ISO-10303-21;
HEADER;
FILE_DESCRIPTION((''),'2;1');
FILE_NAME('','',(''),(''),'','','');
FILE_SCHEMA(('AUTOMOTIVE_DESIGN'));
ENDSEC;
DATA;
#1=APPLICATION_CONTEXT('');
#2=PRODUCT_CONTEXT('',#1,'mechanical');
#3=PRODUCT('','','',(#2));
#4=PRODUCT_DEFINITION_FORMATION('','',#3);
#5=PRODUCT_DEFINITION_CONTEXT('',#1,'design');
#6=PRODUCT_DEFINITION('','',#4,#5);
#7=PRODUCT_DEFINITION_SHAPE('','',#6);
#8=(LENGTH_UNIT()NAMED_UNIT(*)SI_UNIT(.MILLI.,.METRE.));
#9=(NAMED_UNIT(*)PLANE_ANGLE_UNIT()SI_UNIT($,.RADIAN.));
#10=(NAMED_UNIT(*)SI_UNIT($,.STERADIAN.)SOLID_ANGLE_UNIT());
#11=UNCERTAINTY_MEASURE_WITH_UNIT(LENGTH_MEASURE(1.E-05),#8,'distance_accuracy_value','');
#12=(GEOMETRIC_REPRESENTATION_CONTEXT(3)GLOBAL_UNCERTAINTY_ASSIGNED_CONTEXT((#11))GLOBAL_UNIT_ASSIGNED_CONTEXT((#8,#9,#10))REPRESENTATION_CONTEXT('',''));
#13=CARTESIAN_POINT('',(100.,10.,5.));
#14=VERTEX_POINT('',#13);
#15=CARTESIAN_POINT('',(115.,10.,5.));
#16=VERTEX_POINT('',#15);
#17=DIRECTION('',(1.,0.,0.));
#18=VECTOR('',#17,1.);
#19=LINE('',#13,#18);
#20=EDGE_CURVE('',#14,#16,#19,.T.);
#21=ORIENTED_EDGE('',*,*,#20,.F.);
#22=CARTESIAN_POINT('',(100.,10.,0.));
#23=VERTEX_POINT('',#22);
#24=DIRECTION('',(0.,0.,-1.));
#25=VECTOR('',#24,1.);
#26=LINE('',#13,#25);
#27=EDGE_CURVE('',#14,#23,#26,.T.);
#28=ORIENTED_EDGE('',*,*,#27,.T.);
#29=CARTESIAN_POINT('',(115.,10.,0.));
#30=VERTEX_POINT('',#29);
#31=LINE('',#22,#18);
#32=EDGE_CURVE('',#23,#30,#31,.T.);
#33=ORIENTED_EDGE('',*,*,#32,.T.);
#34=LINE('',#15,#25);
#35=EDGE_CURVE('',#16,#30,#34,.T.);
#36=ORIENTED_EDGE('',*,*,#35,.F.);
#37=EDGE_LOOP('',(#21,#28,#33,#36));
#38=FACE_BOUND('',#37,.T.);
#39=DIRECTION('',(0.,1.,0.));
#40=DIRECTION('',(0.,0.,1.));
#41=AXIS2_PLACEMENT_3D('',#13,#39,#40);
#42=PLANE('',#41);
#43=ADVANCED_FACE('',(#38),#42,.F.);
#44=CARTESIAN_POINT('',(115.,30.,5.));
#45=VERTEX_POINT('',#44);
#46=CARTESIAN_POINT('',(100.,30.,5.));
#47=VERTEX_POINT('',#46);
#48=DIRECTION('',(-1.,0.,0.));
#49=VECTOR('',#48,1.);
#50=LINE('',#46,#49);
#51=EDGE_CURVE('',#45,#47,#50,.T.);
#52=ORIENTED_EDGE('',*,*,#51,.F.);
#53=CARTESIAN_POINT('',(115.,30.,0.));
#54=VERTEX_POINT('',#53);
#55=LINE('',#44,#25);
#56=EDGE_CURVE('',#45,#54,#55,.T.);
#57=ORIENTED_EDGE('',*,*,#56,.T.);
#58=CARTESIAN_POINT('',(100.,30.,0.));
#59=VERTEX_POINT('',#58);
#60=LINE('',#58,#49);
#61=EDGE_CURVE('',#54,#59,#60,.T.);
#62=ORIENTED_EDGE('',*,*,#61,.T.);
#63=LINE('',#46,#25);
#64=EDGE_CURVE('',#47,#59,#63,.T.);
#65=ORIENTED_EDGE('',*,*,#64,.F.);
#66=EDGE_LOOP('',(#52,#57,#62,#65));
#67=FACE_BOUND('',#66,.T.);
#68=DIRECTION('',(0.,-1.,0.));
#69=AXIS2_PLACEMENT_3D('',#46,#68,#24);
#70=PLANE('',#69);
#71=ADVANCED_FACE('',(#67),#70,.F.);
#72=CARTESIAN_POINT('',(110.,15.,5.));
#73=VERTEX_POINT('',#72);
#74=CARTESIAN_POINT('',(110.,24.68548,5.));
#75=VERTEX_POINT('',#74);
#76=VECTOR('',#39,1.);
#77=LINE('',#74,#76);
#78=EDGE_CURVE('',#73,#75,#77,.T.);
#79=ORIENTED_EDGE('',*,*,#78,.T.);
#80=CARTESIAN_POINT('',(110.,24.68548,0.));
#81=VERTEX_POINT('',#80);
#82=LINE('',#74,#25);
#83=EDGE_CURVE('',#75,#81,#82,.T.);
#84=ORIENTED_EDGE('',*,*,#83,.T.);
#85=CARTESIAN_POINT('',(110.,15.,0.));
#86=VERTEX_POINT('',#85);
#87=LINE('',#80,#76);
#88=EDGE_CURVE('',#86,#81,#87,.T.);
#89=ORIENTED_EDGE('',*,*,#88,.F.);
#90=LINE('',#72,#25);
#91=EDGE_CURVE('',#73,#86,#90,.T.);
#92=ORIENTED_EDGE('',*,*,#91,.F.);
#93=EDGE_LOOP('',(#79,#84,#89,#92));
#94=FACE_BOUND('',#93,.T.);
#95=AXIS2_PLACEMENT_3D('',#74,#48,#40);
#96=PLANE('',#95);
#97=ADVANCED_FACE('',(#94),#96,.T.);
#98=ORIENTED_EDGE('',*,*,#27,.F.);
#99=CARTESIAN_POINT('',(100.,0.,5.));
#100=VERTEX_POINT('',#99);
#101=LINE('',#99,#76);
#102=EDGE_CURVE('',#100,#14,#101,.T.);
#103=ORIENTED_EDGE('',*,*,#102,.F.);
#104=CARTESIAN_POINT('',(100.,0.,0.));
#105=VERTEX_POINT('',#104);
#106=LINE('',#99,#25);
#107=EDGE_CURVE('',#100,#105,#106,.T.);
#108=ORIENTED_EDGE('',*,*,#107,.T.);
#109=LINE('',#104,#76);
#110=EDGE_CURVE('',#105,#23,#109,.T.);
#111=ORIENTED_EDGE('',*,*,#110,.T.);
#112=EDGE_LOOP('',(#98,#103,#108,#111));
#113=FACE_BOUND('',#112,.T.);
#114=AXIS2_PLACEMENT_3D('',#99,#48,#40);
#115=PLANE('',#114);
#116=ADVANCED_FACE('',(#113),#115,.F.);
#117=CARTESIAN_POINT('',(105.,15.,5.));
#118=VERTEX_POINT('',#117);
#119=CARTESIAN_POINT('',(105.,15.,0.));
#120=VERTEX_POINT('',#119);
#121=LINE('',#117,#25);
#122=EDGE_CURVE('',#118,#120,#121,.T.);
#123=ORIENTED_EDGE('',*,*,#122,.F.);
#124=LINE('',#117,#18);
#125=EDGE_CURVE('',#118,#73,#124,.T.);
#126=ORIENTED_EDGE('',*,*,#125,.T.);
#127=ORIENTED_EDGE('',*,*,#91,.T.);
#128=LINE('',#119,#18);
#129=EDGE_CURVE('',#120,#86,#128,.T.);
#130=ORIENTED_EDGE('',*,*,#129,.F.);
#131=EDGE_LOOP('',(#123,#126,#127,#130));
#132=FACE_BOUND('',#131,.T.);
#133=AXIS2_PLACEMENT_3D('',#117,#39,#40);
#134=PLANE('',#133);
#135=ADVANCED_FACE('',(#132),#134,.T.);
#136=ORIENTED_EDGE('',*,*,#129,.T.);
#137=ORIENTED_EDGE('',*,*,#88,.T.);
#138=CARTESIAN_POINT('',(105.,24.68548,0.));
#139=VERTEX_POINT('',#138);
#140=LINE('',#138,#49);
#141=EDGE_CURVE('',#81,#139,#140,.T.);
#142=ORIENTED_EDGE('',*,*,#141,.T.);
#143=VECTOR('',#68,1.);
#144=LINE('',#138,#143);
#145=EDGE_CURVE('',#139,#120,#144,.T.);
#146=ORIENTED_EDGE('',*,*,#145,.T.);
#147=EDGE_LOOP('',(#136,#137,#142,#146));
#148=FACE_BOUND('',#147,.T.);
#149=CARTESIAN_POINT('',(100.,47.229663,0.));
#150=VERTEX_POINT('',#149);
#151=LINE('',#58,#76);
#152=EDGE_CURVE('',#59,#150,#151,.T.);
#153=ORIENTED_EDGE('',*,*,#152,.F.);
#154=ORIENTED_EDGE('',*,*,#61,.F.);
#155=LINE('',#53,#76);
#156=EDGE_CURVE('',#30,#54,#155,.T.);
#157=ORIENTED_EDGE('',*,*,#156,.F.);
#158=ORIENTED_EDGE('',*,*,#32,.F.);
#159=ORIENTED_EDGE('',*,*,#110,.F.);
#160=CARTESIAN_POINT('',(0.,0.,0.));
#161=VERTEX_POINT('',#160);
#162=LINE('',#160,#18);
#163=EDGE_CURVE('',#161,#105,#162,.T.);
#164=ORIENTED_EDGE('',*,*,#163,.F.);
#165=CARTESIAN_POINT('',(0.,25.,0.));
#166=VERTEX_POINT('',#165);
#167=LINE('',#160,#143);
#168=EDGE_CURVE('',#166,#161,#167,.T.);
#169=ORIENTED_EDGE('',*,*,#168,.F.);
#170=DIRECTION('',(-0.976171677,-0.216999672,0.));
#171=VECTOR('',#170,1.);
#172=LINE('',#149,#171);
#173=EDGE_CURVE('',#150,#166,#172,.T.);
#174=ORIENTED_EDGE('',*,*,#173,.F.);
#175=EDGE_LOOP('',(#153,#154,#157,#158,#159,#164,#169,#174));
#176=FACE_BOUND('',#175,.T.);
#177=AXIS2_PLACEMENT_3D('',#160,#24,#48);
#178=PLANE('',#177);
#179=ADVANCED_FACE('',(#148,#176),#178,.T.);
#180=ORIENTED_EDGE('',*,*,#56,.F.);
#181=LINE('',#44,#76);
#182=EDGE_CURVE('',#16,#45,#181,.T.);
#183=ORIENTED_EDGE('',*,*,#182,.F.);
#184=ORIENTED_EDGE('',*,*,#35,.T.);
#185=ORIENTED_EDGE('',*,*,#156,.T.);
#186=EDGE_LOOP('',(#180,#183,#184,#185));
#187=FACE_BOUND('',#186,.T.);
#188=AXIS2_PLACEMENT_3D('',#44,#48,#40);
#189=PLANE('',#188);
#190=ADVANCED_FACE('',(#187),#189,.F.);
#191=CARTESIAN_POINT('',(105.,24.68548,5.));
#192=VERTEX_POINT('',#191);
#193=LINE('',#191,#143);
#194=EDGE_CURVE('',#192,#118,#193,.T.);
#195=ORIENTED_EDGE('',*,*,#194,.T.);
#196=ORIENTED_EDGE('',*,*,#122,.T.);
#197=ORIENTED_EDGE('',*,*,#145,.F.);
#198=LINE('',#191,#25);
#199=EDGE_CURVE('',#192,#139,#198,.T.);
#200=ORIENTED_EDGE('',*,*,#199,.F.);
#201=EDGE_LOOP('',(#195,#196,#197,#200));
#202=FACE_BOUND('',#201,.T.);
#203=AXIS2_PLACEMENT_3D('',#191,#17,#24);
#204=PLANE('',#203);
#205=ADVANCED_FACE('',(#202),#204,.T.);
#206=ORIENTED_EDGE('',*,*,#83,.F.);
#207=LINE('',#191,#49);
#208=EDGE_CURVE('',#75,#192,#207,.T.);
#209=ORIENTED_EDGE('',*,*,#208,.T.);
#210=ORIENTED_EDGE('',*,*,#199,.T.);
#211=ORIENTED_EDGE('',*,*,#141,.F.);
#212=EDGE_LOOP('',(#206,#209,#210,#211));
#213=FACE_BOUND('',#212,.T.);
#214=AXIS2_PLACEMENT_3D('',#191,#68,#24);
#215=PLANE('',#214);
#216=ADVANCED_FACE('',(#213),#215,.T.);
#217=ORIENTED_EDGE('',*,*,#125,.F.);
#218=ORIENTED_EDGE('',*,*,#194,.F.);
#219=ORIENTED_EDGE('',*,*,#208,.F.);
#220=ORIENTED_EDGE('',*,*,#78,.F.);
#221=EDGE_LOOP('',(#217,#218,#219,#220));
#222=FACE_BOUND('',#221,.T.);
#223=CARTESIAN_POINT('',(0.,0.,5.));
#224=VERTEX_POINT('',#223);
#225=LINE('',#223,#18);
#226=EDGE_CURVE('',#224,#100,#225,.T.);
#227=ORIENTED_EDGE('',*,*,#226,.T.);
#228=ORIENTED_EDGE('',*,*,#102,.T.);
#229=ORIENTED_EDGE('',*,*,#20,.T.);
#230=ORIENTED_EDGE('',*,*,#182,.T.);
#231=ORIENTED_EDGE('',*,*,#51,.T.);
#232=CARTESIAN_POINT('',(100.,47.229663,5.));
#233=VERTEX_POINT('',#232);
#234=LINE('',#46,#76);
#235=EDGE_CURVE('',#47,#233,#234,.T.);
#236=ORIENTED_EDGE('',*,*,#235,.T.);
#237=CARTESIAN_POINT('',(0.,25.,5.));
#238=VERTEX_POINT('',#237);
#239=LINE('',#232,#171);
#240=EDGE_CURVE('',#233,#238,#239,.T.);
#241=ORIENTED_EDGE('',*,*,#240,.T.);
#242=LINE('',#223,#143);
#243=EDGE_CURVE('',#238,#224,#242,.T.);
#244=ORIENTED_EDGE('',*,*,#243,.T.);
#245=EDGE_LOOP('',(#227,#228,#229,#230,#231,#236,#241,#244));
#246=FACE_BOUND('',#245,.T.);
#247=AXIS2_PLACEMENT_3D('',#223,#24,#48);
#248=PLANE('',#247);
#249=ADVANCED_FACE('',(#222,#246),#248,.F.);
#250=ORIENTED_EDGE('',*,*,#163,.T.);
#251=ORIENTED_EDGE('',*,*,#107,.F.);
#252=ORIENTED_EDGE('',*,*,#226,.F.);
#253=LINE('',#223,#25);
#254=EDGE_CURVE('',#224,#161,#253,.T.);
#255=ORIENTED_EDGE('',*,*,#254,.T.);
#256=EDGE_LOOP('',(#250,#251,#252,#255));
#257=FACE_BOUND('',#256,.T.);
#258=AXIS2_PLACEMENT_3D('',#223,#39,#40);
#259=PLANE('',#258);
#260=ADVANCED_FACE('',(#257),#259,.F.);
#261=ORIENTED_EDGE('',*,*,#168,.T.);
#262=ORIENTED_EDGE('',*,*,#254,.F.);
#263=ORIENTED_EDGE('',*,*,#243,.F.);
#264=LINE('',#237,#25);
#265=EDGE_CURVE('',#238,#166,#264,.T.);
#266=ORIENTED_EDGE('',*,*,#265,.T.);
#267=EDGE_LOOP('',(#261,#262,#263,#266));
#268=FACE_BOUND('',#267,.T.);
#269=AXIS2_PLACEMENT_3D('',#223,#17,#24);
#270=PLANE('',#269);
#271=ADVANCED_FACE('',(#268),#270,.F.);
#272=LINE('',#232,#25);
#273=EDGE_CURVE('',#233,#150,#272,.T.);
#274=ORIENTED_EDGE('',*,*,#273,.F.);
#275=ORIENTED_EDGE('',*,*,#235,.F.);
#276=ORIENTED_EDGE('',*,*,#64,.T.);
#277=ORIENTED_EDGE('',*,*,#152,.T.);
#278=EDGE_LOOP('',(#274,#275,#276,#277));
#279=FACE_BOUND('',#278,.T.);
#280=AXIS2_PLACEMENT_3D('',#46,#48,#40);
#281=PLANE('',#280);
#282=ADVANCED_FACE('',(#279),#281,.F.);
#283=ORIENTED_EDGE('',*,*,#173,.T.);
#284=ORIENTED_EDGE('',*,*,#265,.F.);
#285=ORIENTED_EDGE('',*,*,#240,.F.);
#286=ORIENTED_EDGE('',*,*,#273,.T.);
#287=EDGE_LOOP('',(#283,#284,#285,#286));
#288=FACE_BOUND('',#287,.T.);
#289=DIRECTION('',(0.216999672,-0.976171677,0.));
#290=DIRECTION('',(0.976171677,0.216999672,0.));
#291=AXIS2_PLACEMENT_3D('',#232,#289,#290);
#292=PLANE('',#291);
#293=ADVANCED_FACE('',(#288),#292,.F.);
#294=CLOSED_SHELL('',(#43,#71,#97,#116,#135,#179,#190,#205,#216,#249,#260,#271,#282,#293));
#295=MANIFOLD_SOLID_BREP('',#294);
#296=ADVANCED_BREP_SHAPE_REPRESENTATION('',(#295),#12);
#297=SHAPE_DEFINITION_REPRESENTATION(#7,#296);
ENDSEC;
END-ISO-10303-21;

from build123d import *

# Parameters (mm, degrees)
SKETCH1_W           = 5
SKETCH1_H           = 9.685479934
BOSS_EXTRUDE1_DEPTH = 5


with BuildPart() as part:
    # Sketch1 → Boss-Extrude1 (new body)
    with BuildSketch(Plane.XY):
        Polygon((100, 30), (100, 47.229662795), (0, 25), (0, 0), (100, 0), (100, 10), (115, 10), (115, 30), align=None)
        with Locations((107.5, 19.842739967)):
            Rectangle(SKETCH1_W, SKETCH1_H, mode=Mode.SUBTRACT)
    extrude(amount=BOSS_EXTRUDE1_DEPTH)


solid = part.part
